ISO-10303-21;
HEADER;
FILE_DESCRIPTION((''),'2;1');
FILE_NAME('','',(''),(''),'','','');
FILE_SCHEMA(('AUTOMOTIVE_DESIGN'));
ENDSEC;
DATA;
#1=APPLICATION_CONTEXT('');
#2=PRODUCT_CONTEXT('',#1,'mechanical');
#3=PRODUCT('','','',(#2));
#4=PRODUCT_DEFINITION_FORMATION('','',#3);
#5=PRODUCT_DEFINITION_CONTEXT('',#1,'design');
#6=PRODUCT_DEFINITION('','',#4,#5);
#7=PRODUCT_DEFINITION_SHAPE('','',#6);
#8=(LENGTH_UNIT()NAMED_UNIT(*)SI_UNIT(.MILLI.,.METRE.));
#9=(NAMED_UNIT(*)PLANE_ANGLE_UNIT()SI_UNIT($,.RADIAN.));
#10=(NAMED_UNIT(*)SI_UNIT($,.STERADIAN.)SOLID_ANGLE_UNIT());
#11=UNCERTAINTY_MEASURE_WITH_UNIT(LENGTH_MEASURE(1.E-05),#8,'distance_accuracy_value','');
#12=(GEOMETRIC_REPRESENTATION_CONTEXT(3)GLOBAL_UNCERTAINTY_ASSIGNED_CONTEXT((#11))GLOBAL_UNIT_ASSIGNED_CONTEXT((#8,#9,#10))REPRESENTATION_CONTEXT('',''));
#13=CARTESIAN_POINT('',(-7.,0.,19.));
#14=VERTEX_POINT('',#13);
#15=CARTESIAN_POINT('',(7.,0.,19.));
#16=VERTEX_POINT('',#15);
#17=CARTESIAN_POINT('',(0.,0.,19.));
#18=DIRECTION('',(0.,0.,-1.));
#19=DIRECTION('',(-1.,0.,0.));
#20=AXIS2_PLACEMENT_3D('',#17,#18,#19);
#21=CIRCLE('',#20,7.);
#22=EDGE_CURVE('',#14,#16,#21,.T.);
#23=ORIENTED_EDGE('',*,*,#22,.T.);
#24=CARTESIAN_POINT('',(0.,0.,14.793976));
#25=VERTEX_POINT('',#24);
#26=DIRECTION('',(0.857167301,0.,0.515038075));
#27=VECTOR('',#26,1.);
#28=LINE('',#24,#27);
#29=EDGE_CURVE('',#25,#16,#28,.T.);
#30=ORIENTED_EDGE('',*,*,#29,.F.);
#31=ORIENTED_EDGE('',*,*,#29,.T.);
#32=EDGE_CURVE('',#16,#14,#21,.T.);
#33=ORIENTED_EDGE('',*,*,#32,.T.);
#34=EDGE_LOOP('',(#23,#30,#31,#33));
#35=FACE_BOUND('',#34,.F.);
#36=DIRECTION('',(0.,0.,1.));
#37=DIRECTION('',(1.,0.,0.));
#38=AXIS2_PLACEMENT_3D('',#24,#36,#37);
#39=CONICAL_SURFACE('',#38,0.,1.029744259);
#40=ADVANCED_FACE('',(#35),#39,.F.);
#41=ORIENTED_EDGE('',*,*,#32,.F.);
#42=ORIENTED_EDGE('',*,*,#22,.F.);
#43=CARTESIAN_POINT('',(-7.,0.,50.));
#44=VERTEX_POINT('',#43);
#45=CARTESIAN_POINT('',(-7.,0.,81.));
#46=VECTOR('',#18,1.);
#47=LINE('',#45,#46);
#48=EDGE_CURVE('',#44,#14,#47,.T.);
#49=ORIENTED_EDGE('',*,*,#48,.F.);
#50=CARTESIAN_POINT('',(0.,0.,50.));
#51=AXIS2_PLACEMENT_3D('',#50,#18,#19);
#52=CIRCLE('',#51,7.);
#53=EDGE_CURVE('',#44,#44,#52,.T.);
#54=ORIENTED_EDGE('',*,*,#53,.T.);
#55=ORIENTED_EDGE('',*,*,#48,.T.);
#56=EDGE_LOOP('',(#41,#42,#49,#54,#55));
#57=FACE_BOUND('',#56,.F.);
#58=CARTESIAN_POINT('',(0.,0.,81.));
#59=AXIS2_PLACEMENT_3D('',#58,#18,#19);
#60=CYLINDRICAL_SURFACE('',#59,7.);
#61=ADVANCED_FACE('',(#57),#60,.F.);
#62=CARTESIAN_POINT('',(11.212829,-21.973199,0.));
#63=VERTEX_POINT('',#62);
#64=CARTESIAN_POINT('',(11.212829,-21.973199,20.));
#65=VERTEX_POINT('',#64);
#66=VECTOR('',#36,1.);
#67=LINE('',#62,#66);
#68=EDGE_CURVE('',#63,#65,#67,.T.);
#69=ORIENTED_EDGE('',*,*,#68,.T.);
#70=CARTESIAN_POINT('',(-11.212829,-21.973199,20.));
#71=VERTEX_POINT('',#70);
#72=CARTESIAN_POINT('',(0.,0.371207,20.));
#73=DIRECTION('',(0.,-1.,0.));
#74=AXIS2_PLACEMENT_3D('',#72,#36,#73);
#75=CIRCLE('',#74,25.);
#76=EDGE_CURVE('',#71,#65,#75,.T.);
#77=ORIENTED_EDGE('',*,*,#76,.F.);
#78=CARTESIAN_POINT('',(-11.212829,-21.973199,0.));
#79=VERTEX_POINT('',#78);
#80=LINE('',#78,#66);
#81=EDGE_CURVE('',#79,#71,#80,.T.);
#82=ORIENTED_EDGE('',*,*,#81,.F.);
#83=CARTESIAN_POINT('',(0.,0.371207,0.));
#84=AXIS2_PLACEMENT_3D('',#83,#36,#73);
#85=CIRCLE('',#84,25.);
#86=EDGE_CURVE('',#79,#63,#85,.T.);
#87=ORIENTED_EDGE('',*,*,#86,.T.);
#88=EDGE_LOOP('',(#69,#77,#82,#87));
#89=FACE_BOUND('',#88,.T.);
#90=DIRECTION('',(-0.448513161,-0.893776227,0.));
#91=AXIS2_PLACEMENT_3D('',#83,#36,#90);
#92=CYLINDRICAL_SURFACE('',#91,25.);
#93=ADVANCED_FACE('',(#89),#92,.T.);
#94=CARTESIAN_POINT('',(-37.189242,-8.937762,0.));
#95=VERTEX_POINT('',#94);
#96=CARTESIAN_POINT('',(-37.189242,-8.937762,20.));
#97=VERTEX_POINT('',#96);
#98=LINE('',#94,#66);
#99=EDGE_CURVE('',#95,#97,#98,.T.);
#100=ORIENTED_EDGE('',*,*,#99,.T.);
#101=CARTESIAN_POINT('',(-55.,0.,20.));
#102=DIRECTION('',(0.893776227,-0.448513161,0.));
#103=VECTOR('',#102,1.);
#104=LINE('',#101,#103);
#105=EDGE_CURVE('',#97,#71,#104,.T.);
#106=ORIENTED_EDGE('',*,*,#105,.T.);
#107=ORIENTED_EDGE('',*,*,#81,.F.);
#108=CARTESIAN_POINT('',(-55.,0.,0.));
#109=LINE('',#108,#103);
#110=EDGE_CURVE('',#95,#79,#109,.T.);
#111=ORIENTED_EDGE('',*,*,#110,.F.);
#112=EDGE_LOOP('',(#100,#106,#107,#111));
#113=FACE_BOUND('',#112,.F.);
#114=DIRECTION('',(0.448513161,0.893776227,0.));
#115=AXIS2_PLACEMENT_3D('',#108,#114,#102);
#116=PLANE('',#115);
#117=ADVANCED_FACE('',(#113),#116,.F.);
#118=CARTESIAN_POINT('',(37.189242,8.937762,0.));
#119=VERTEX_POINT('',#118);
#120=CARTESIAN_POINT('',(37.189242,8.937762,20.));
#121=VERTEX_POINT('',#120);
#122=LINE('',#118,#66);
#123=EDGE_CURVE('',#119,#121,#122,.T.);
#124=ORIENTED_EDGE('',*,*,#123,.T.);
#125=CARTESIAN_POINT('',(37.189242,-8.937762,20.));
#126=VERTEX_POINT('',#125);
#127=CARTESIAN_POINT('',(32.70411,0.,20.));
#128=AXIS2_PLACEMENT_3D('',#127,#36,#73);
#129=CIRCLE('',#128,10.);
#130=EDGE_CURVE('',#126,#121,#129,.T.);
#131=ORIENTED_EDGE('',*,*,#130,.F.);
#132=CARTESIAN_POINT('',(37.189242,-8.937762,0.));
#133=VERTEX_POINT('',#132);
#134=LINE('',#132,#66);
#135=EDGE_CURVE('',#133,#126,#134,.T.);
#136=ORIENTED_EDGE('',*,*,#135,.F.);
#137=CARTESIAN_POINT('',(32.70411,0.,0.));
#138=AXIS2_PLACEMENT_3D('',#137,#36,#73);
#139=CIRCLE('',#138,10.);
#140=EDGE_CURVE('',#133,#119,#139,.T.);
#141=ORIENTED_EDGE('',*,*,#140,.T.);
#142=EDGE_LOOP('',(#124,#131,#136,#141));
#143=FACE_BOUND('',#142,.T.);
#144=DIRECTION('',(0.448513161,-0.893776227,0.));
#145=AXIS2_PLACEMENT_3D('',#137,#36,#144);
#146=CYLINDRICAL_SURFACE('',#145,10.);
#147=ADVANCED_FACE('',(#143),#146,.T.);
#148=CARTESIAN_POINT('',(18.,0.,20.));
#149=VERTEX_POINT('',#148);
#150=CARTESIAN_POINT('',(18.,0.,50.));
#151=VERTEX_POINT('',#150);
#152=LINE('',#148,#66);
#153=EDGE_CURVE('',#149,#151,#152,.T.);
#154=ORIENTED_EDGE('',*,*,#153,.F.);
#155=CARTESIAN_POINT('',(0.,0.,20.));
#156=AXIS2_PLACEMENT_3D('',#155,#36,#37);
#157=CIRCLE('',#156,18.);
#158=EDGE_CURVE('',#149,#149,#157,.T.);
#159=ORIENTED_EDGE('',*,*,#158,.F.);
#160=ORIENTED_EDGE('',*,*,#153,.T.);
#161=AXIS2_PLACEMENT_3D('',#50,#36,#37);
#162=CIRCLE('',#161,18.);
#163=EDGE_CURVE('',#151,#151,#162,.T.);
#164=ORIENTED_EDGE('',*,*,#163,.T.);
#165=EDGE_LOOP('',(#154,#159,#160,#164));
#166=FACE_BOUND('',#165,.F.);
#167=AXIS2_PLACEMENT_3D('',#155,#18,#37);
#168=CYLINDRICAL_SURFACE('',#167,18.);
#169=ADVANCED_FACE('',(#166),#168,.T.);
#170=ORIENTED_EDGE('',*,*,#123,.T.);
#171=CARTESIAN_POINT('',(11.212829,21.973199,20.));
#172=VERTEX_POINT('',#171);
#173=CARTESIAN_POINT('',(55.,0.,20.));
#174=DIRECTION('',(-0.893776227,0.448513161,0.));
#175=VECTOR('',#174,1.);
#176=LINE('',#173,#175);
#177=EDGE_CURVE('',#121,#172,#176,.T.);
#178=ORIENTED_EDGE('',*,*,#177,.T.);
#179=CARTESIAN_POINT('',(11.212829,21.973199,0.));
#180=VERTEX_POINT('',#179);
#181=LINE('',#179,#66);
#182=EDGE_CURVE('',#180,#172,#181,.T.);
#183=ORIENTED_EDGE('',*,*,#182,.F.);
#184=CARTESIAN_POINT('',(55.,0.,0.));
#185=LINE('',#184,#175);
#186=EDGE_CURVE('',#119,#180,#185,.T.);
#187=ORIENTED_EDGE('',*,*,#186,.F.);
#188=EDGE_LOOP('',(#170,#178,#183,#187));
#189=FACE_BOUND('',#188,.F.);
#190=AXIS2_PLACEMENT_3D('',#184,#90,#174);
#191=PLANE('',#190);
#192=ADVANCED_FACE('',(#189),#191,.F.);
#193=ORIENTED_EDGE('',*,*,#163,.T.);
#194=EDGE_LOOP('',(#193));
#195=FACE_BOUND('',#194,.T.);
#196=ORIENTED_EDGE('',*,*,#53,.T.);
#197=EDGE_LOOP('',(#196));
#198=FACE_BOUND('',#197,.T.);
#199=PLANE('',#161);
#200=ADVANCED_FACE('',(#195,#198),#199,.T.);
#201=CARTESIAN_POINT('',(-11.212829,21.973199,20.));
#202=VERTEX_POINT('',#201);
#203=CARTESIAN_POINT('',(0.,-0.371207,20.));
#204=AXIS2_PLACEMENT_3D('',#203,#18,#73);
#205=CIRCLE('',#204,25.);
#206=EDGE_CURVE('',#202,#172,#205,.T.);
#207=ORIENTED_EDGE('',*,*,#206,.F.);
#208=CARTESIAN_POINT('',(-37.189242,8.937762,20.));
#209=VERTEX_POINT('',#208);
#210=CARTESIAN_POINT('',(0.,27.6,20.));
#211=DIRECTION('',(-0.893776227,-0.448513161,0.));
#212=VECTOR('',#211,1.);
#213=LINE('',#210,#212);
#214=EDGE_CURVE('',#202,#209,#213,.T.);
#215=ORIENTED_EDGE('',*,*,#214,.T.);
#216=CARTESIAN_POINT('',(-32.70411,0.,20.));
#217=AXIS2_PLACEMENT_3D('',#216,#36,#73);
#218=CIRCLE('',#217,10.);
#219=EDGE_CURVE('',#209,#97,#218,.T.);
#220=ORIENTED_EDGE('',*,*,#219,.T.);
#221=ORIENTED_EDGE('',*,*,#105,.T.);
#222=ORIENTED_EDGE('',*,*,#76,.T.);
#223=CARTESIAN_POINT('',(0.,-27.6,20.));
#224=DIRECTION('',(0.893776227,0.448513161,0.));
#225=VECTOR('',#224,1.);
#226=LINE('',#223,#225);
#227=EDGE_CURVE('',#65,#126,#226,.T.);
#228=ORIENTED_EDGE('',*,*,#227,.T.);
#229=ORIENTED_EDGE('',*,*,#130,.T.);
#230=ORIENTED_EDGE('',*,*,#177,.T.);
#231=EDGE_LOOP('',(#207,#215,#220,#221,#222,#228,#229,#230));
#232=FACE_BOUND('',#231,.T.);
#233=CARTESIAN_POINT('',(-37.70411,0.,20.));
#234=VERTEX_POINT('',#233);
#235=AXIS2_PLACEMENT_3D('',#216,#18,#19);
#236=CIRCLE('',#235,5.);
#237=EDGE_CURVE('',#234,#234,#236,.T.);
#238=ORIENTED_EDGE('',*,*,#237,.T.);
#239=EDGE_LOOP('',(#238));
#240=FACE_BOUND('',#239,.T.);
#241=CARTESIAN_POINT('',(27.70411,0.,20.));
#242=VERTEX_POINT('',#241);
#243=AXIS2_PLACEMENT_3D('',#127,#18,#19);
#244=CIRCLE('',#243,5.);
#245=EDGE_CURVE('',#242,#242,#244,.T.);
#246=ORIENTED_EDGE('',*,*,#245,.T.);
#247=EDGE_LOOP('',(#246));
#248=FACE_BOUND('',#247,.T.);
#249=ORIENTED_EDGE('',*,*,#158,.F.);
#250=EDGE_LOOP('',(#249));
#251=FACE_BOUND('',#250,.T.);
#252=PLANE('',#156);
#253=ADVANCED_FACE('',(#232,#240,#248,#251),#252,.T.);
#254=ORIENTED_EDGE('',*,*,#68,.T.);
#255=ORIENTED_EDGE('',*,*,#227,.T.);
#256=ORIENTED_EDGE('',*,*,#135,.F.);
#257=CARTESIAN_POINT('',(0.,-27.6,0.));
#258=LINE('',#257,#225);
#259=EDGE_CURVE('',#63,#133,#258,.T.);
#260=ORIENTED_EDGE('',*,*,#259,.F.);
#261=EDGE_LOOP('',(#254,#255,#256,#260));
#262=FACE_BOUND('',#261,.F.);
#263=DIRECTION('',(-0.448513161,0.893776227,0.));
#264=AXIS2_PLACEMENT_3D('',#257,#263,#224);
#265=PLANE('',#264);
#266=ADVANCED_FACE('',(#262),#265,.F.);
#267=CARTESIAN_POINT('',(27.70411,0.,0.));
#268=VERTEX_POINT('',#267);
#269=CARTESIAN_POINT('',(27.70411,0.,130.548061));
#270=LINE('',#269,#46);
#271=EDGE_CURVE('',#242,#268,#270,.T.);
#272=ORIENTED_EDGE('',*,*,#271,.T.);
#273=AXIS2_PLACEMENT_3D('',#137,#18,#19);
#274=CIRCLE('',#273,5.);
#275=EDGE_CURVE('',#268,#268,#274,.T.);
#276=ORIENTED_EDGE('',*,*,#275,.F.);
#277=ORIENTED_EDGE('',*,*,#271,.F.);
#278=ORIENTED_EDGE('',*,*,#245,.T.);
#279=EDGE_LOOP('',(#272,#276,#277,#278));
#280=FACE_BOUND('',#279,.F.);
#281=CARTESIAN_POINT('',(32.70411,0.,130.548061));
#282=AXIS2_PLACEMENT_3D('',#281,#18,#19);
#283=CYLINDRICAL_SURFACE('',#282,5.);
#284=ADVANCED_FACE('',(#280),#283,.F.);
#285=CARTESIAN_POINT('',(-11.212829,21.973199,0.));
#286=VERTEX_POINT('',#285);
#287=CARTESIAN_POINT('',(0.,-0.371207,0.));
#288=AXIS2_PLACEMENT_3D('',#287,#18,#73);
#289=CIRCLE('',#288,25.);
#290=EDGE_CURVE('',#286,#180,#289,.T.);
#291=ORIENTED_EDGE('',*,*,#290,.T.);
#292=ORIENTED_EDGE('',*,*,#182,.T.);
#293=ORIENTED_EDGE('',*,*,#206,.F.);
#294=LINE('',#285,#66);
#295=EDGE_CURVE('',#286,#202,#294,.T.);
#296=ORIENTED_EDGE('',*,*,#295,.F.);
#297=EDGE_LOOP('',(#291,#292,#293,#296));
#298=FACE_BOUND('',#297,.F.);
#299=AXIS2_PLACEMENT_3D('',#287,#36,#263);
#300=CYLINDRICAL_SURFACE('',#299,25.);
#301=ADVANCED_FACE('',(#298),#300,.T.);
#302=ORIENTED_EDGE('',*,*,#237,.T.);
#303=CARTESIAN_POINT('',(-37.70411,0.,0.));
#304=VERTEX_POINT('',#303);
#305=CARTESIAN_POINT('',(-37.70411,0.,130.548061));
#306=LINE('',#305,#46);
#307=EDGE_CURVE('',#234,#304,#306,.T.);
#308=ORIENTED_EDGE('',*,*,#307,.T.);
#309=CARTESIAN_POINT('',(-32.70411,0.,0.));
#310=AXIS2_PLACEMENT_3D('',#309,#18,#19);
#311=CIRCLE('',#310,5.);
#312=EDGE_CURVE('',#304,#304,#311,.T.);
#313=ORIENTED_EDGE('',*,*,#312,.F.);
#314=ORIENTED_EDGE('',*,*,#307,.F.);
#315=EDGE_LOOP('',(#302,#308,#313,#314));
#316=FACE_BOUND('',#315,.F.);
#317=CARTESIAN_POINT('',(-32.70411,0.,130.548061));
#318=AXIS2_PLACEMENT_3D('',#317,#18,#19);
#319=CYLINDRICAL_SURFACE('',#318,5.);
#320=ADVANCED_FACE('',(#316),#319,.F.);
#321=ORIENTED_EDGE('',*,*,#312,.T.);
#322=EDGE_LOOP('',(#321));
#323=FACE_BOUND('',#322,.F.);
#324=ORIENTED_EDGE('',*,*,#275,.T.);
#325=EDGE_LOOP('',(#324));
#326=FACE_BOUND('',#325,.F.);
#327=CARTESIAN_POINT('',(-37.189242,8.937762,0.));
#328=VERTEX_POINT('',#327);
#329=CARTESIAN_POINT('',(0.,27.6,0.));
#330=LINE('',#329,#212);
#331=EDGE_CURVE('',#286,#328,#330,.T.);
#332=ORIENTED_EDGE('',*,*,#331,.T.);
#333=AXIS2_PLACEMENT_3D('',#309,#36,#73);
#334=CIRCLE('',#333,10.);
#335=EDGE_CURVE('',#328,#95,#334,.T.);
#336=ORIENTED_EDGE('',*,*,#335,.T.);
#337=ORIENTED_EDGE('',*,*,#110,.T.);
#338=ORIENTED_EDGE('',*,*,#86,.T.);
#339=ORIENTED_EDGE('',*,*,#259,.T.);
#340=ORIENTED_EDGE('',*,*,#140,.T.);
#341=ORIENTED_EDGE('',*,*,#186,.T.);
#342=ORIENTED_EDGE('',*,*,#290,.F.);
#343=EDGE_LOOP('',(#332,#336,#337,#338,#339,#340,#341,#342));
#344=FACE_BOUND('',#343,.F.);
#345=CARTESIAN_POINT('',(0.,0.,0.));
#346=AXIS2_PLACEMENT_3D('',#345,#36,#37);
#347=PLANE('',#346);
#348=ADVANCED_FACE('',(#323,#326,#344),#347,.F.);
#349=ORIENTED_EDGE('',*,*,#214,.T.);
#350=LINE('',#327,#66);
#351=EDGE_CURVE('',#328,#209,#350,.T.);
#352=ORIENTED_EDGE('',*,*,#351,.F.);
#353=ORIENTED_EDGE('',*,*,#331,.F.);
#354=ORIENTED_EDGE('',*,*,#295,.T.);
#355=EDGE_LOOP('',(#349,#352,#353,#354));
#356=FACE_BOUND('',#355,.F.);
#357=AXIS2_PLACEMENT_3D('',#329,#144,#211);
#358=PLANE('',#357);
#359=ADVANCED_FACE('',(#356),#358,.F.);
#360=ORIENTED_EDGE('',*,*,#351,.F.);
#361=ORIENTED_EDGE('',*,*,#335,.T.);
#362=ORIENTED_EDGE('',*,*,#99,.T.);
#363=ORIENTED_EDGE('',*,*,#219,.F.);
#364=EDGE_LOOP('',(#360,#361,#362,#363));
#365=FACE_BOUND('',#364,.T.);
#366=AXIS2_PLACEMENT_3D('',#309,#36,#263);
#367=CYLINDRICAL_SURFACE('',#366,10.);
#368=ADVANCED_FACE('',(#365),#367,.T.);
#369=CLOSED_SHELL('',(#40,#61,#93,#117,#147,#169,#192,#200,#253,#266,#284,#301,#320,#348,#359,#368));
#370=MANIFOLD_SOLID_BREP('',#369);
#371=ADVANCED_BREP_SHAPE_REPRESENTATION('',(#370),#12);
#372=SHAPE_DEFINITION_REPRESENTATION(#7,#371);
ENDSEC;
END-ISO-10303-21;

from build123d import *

# Parameters (mm, degrees)
F1_DEPTH = 20
F2_R     = 10
F3_R     = 25
F4_R     = 18
F5_DEPTH = 30
F7_D     = 10
F9_D     = 14
F9_DEPTH = 31
F9_TIP   = 4.2060243332


with BuildPart() as f1:
    # F0 (on Top) → F1 (new body)
    with BuildSketch(Plane.XY):
        Polygon((0, 27.6), (-55, 0), (0, -27.6), (55, 0), align=None)
    extrude(amount=F1_DEPTH)

    # F2
    f2_edges = [f1.edges().sort_by_distance(p)[0] for p in [
        (55, 0, 10),
        (-55, 0, 10),
    ]]
    fillet(f2_edges, radius=F2_R)

    # F3
    f3_edges = [f1.edges().sort_by_distance(p)[0] for p in [
        (0, -27.6, 10),
        (0, 27.6, 10),
    ]]
    fillet(f3_edges, radius=F3_R)

    # F4 (on face) → F5 (join)
    with BuildSketch(Plane.XY.offset(20)):
        Circle(F4_R)
    extrude(amount=F5_DEPTH)

    # F7 (through all)
    with Locations(Plane.XY.offset(20)):
        with Locations((-32.7041102381, 0), (32.7041102381, 0)):
            Hole(F7_D / 2)

    # F9
    with Locations(Plane.XY.offset(50)):
        with Locations((0, 0)):
            Hole(F9_D / 2, depth=F9_DEPTH)
            with Locations((0, 0, -(F9_DEPTH + F9_TIP / 2))):  # 118° drill point
                Cone(0, F9_D / 2, F9_TIP, mode=Mode.SUBTRACT)


solid = f1.part
